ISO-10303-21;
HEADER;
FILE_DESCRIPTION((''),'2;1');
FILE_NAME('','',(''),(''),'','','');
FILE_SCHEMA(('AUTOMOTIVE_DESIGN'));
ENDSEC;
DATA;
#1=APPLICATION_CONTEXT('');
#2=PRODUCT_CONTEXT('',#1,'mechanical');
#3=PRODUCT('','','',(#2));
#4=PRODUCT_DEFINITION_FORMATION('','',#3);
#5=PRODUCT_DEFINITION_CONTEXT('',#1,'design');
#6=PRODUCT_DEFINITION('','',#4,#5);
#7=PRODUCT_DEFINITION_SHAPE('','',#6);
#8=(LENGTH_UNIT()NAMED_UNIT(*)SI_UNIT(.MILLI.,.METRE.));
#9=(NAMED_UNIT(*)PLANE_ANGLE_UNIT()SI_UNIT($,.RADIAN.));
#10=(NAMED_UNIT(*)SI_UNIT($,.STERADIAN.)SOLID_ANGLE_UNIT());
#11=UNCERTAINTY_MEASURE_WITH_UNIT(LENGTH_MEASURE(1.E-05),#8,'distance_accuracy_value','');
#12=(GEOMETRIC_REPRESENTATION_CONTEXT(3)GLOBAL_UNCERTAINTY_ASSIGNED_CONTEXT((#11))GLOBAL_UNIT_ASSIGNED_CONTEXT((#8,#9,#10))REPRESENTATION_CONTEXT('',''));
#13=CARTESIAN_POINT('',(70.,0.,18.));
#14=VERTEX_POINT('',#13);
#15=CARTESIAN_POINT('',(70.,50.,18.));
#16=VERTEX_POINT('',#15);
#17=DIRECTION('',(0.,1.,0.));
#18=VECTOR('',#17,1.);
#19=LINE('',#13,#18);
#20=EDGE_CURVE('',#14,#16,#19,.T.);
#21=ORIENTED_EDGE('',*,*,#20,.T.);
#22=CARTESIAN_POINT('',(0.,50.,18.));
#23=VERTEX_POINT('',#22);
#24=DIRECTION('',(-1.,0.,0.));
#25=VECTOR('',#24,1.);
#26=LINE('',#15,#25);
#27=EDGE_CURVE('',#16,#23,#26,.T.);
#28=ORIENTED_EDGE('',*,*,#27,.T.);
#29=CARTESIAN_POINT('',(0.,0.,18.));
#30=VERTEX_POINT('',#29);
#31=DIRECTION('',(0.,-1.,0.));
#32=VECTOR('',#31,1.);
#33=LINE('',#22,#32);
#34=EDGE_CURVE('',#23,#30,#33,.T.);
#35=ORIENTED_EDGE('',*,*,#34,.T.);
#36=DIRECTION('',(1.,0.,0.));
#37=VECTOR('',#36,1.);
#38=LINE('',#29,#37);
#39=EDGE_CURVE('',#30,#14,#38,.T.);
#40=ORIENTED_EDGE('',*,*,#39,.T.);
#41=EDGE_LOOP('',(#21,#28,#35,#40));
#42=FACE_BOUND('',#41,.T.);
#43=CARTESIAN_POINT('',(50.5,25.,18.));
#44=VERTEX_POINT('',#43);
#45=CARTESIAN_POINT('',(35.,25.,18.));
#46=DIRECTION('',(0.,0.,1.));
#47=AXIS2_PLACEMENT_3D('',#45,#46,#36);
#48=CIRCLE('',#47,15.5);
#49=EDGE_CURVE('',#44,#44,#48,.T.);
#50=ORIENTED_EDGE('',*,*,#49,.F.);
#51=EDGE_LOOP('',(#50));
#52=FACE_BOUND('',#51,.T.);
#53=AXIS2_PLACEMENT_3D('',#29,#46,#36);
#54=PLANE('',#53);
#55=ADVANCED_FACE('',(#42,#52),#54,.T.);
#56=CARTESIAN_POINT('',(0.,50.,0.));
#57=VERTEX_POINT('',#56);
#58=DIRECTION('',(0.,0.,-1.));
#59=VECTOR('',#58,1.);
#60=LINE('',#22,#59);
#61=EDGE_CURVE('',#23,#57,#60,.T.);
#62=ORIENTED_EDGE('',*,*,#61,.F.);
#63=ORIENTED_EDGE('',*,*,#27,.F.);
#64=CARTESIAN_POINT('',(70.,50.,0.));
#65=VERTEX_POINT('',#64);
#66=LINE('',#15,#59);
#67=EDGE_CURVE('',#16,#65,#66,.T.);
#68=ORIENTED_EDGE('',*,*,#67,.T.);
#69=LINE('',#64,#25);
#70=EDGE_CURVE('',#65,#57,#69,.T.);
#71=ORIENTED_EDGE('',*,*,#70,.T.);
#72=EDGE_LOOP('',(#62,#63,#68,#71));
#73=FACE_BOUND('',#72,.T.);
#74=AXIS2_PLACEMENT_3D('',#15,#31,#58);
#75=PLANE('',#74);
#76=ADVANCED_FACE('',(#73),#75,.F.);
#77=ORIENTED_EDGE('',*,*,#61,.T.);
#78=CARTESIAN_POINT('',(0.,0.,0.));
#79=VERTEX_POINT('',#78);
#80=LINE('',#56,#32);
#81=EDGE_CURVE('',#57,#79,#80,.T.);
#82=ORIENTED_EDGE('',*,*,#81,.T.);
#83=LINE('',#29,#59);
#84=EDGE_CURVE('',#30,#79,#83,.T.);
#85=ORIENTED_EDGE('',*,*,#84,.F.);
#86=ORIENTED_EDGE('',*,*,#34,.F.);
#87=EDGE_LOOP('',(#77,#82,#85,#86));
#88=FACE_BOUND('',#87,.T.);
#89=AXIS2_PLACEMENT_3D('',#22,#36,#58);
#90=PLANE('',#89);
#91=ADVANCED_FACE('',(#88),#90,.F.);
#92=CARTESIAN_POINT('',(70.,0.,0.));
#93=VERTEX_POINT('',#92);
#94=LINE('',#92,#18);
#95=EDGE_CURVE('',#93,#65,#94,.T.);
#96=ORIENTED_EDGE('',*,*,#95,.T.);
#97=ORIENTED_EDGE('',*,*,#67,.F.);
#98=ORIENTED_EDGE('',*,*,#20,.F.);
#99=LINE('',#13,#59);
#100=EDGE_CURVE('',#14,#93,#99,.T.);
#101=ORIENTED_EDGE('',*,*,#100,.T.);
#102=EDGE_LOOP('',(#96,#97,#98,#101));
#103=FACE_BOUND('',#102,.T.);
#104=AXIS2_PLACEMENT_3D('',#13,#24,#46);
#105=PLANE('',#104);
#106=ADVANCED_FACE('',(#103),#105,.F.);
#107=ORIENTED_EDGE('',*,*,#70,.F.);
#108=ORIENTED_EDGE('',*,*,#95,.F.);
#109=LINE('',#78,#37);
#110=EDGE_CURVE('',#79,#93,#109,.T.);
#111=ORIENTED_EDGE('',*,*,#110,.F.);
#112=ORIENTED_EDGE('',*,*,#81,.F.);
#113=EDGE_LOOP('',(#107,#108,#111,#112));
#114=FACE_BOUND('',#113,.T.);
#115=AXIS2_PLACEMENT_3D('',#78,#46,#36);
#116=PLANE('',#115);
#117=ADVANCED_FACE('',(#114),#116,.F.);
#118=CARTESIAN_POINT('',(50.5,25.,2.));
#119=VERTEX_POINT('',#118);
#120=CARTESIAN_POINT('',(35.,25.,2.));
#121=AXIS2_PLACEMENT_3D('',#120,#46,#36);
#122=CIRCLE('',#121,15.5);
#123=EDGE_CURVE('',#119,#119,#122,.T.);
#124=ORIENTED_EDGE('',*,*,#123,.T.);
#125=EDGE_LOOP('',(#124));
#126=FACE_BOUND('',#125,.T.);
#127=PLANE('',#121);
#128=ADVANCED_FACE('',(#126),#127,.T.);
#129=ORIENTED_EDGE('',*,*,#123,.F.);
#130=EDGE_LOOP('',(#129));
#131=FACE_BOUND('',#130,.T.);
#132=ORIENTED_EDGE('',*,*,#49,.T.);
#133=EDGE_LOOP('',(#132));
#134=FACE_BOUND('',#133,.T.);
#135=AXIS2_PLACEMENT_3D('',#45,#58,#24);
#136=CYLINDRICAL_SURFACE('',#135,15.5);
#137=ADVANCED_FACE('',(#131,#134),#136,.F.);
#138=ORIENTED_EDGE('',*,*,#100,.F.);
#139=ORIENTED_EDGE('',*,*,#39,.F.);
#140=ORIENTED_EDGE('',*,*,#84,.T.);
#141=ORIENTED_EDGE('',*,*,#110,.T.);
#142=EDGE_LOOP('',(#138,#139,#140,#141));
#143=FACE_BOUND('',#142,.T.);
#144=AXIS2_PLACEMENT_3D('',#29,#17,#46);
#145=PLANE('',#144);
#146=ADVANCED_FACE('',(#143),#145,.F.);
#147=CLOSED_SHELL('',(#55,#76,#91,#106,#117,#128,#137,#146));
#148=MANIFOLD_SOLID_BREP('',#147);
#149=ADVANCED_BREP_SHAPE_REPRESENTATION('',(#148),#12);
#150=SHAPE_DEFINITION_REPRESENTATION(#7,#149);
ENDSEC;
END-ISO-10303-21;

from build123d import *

# Parameters (mm, degrees)
SKETCH_1_W      = 70
SKETCH_1_H      = 50
SKETCH_1_R      = 15.5
EXTRUDE_1_DEPTH = 18
SKETCH_2_R      = 15.5
EXTRUDE_2_DEPTH = 2


with BuildPart() as part:
    # 草图1 → 凸台-拉伸1 (new body)
    with BuildSketch(Plane.XY):
        with Locations((35, 25)):
            Rectangle(SKETCH_1_W, SKETCH_1_H)
        with Locations((35, 25)):
            Circle(SKETCH_1_R, mode=Mode.SUBTRACT)
    extrude(amount=EXTRUDE_1_DEPTH)

    # 草图2 → 凸台-拉伸2 (add)
    with BuildSketch(Plane.XY):
        with Locations((35, 25)):
            Circle(SKETCH_2_R)
    extrude(amount=EXTRUDE_2_DEPTH)


solid = part.part
